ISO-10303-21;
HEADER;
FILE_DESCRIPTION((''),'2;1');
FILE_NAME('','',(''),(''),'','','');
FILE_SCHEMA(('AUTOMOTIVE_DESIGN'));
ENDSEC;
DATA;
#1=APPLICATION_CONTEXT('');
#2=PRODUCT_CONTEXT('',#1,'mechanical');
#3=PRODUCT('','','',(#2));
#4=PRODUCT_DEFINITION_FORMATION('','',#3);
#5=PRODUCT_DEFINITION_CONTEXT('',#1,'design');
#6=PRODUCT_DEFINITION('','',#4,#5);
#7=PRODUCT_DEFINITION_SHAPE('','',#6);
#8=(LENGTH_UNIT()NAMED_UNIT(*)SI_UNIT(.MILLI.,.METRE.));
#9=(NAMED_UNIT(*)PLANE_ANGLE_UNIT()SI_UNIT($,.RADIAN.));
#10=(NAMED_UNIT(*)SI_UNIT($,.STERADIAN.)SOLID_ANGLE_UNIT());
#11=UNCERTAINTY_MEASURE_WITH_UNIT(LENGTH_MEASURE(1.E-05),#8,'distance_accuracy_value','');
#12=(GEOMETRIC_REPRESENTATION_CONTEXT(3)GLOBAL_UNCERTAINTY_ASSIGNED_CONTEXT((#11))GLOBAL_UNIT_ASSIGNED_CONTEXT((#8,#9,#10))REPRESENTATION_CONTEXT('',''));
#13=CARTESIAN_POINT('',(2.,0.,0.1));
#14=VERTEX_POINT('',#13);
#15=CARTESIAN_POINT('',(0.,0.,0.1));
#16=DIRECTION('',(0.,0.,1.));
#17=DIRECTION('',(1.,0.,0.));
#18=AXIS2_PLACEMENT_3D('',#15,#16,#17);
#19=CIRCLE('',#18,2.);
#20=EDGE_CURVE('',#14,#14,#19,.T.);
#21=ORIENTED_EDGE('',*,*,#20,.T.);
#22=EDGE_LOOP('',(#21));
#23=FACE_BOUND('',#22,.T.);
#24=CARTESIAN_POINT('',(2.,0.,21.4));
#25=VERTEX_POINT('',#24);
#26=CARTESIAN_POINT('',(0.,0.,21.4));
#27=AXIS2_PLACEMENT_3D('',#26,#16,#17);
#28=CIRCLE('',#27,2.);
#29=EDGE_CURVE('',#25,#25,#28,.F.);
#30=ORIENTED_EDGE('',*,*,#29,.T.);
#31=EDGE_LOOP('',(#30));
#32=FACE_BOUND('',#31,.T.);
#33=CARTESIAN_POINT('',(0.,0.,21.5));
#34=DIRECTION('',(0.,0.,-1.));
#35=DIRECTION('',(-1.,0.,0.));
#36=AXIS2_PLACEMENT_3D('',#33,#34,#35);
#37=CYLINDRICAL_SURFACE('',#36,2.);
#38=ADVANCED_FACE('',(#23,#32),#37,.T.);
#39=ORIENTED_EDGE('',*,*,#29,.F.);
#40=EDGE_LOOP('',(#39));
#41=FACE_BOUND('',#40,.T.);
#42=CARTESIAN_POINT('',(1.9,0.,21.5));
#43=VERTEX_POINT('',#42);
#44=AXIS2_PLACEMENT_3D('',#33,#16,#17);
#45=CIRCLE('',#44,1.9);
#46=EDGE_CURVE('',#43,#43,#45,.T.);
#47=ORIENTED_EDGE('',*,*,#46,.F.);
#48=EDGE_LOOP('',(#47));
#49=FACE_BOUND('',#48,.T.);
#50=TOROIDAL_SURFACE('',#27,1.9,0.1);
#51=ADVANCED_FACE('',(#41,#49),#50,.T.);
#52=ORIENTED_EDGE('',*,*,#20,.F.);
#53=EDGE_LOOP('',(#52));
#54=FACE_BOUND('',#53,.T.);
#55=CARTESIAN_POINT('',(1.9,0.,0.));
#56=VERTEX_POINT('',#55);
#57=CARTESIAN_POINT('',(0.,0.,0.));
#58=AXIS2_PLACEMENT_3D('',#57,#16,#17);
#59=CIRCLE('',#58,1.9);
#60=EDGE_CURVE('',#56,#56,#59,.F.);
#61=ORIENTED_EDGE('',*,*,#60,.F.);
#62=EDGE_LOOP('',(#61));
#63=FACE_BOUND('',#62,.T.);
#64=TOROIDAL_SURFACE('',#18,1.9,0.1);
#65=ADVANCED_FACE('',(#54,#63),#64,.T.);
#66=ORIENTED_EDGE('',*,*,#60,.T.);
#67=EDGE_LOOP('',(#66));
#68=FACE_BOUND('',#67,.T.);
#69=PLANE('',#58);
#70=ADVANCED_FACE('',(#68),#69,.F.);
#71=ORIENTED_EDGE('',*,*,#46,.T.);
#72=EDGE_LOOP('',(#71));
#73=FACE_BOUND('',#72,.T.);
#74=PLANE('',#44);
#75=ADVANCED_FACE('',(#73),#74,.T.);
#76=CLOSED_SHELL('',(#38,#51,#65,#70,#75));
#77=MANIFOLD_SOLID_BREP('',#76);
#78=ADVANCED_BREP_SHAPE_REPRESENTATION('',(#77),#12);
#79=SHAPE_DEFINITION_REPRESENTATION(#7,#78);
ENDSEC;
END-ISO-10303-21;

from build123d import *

# Parameters (mm, degrees)
SKETCH1_R           = 2
BOSS_EXTRUDE1_DEPTH = 21.5
FILLET1_R           = 0.1


with BuildPart() as part:
    # Sketch1 → Boss-Extrude1 (new body)
    with BuildSketch(Plane.XY):
        Circle(SKETCH1_R)
    extrude(amount=BOSS_EXTRUDE1_DEPTH)

    # Fillet1
    fillet1_edges = [part.edges().sort_by_distance(p)[0] for p in [
        (-2, 0, 0),
        (-2, 0, 21.5),
    ]]
    fillet(fillet1_edges, radius=FILLET1_R)


solid = part.part
